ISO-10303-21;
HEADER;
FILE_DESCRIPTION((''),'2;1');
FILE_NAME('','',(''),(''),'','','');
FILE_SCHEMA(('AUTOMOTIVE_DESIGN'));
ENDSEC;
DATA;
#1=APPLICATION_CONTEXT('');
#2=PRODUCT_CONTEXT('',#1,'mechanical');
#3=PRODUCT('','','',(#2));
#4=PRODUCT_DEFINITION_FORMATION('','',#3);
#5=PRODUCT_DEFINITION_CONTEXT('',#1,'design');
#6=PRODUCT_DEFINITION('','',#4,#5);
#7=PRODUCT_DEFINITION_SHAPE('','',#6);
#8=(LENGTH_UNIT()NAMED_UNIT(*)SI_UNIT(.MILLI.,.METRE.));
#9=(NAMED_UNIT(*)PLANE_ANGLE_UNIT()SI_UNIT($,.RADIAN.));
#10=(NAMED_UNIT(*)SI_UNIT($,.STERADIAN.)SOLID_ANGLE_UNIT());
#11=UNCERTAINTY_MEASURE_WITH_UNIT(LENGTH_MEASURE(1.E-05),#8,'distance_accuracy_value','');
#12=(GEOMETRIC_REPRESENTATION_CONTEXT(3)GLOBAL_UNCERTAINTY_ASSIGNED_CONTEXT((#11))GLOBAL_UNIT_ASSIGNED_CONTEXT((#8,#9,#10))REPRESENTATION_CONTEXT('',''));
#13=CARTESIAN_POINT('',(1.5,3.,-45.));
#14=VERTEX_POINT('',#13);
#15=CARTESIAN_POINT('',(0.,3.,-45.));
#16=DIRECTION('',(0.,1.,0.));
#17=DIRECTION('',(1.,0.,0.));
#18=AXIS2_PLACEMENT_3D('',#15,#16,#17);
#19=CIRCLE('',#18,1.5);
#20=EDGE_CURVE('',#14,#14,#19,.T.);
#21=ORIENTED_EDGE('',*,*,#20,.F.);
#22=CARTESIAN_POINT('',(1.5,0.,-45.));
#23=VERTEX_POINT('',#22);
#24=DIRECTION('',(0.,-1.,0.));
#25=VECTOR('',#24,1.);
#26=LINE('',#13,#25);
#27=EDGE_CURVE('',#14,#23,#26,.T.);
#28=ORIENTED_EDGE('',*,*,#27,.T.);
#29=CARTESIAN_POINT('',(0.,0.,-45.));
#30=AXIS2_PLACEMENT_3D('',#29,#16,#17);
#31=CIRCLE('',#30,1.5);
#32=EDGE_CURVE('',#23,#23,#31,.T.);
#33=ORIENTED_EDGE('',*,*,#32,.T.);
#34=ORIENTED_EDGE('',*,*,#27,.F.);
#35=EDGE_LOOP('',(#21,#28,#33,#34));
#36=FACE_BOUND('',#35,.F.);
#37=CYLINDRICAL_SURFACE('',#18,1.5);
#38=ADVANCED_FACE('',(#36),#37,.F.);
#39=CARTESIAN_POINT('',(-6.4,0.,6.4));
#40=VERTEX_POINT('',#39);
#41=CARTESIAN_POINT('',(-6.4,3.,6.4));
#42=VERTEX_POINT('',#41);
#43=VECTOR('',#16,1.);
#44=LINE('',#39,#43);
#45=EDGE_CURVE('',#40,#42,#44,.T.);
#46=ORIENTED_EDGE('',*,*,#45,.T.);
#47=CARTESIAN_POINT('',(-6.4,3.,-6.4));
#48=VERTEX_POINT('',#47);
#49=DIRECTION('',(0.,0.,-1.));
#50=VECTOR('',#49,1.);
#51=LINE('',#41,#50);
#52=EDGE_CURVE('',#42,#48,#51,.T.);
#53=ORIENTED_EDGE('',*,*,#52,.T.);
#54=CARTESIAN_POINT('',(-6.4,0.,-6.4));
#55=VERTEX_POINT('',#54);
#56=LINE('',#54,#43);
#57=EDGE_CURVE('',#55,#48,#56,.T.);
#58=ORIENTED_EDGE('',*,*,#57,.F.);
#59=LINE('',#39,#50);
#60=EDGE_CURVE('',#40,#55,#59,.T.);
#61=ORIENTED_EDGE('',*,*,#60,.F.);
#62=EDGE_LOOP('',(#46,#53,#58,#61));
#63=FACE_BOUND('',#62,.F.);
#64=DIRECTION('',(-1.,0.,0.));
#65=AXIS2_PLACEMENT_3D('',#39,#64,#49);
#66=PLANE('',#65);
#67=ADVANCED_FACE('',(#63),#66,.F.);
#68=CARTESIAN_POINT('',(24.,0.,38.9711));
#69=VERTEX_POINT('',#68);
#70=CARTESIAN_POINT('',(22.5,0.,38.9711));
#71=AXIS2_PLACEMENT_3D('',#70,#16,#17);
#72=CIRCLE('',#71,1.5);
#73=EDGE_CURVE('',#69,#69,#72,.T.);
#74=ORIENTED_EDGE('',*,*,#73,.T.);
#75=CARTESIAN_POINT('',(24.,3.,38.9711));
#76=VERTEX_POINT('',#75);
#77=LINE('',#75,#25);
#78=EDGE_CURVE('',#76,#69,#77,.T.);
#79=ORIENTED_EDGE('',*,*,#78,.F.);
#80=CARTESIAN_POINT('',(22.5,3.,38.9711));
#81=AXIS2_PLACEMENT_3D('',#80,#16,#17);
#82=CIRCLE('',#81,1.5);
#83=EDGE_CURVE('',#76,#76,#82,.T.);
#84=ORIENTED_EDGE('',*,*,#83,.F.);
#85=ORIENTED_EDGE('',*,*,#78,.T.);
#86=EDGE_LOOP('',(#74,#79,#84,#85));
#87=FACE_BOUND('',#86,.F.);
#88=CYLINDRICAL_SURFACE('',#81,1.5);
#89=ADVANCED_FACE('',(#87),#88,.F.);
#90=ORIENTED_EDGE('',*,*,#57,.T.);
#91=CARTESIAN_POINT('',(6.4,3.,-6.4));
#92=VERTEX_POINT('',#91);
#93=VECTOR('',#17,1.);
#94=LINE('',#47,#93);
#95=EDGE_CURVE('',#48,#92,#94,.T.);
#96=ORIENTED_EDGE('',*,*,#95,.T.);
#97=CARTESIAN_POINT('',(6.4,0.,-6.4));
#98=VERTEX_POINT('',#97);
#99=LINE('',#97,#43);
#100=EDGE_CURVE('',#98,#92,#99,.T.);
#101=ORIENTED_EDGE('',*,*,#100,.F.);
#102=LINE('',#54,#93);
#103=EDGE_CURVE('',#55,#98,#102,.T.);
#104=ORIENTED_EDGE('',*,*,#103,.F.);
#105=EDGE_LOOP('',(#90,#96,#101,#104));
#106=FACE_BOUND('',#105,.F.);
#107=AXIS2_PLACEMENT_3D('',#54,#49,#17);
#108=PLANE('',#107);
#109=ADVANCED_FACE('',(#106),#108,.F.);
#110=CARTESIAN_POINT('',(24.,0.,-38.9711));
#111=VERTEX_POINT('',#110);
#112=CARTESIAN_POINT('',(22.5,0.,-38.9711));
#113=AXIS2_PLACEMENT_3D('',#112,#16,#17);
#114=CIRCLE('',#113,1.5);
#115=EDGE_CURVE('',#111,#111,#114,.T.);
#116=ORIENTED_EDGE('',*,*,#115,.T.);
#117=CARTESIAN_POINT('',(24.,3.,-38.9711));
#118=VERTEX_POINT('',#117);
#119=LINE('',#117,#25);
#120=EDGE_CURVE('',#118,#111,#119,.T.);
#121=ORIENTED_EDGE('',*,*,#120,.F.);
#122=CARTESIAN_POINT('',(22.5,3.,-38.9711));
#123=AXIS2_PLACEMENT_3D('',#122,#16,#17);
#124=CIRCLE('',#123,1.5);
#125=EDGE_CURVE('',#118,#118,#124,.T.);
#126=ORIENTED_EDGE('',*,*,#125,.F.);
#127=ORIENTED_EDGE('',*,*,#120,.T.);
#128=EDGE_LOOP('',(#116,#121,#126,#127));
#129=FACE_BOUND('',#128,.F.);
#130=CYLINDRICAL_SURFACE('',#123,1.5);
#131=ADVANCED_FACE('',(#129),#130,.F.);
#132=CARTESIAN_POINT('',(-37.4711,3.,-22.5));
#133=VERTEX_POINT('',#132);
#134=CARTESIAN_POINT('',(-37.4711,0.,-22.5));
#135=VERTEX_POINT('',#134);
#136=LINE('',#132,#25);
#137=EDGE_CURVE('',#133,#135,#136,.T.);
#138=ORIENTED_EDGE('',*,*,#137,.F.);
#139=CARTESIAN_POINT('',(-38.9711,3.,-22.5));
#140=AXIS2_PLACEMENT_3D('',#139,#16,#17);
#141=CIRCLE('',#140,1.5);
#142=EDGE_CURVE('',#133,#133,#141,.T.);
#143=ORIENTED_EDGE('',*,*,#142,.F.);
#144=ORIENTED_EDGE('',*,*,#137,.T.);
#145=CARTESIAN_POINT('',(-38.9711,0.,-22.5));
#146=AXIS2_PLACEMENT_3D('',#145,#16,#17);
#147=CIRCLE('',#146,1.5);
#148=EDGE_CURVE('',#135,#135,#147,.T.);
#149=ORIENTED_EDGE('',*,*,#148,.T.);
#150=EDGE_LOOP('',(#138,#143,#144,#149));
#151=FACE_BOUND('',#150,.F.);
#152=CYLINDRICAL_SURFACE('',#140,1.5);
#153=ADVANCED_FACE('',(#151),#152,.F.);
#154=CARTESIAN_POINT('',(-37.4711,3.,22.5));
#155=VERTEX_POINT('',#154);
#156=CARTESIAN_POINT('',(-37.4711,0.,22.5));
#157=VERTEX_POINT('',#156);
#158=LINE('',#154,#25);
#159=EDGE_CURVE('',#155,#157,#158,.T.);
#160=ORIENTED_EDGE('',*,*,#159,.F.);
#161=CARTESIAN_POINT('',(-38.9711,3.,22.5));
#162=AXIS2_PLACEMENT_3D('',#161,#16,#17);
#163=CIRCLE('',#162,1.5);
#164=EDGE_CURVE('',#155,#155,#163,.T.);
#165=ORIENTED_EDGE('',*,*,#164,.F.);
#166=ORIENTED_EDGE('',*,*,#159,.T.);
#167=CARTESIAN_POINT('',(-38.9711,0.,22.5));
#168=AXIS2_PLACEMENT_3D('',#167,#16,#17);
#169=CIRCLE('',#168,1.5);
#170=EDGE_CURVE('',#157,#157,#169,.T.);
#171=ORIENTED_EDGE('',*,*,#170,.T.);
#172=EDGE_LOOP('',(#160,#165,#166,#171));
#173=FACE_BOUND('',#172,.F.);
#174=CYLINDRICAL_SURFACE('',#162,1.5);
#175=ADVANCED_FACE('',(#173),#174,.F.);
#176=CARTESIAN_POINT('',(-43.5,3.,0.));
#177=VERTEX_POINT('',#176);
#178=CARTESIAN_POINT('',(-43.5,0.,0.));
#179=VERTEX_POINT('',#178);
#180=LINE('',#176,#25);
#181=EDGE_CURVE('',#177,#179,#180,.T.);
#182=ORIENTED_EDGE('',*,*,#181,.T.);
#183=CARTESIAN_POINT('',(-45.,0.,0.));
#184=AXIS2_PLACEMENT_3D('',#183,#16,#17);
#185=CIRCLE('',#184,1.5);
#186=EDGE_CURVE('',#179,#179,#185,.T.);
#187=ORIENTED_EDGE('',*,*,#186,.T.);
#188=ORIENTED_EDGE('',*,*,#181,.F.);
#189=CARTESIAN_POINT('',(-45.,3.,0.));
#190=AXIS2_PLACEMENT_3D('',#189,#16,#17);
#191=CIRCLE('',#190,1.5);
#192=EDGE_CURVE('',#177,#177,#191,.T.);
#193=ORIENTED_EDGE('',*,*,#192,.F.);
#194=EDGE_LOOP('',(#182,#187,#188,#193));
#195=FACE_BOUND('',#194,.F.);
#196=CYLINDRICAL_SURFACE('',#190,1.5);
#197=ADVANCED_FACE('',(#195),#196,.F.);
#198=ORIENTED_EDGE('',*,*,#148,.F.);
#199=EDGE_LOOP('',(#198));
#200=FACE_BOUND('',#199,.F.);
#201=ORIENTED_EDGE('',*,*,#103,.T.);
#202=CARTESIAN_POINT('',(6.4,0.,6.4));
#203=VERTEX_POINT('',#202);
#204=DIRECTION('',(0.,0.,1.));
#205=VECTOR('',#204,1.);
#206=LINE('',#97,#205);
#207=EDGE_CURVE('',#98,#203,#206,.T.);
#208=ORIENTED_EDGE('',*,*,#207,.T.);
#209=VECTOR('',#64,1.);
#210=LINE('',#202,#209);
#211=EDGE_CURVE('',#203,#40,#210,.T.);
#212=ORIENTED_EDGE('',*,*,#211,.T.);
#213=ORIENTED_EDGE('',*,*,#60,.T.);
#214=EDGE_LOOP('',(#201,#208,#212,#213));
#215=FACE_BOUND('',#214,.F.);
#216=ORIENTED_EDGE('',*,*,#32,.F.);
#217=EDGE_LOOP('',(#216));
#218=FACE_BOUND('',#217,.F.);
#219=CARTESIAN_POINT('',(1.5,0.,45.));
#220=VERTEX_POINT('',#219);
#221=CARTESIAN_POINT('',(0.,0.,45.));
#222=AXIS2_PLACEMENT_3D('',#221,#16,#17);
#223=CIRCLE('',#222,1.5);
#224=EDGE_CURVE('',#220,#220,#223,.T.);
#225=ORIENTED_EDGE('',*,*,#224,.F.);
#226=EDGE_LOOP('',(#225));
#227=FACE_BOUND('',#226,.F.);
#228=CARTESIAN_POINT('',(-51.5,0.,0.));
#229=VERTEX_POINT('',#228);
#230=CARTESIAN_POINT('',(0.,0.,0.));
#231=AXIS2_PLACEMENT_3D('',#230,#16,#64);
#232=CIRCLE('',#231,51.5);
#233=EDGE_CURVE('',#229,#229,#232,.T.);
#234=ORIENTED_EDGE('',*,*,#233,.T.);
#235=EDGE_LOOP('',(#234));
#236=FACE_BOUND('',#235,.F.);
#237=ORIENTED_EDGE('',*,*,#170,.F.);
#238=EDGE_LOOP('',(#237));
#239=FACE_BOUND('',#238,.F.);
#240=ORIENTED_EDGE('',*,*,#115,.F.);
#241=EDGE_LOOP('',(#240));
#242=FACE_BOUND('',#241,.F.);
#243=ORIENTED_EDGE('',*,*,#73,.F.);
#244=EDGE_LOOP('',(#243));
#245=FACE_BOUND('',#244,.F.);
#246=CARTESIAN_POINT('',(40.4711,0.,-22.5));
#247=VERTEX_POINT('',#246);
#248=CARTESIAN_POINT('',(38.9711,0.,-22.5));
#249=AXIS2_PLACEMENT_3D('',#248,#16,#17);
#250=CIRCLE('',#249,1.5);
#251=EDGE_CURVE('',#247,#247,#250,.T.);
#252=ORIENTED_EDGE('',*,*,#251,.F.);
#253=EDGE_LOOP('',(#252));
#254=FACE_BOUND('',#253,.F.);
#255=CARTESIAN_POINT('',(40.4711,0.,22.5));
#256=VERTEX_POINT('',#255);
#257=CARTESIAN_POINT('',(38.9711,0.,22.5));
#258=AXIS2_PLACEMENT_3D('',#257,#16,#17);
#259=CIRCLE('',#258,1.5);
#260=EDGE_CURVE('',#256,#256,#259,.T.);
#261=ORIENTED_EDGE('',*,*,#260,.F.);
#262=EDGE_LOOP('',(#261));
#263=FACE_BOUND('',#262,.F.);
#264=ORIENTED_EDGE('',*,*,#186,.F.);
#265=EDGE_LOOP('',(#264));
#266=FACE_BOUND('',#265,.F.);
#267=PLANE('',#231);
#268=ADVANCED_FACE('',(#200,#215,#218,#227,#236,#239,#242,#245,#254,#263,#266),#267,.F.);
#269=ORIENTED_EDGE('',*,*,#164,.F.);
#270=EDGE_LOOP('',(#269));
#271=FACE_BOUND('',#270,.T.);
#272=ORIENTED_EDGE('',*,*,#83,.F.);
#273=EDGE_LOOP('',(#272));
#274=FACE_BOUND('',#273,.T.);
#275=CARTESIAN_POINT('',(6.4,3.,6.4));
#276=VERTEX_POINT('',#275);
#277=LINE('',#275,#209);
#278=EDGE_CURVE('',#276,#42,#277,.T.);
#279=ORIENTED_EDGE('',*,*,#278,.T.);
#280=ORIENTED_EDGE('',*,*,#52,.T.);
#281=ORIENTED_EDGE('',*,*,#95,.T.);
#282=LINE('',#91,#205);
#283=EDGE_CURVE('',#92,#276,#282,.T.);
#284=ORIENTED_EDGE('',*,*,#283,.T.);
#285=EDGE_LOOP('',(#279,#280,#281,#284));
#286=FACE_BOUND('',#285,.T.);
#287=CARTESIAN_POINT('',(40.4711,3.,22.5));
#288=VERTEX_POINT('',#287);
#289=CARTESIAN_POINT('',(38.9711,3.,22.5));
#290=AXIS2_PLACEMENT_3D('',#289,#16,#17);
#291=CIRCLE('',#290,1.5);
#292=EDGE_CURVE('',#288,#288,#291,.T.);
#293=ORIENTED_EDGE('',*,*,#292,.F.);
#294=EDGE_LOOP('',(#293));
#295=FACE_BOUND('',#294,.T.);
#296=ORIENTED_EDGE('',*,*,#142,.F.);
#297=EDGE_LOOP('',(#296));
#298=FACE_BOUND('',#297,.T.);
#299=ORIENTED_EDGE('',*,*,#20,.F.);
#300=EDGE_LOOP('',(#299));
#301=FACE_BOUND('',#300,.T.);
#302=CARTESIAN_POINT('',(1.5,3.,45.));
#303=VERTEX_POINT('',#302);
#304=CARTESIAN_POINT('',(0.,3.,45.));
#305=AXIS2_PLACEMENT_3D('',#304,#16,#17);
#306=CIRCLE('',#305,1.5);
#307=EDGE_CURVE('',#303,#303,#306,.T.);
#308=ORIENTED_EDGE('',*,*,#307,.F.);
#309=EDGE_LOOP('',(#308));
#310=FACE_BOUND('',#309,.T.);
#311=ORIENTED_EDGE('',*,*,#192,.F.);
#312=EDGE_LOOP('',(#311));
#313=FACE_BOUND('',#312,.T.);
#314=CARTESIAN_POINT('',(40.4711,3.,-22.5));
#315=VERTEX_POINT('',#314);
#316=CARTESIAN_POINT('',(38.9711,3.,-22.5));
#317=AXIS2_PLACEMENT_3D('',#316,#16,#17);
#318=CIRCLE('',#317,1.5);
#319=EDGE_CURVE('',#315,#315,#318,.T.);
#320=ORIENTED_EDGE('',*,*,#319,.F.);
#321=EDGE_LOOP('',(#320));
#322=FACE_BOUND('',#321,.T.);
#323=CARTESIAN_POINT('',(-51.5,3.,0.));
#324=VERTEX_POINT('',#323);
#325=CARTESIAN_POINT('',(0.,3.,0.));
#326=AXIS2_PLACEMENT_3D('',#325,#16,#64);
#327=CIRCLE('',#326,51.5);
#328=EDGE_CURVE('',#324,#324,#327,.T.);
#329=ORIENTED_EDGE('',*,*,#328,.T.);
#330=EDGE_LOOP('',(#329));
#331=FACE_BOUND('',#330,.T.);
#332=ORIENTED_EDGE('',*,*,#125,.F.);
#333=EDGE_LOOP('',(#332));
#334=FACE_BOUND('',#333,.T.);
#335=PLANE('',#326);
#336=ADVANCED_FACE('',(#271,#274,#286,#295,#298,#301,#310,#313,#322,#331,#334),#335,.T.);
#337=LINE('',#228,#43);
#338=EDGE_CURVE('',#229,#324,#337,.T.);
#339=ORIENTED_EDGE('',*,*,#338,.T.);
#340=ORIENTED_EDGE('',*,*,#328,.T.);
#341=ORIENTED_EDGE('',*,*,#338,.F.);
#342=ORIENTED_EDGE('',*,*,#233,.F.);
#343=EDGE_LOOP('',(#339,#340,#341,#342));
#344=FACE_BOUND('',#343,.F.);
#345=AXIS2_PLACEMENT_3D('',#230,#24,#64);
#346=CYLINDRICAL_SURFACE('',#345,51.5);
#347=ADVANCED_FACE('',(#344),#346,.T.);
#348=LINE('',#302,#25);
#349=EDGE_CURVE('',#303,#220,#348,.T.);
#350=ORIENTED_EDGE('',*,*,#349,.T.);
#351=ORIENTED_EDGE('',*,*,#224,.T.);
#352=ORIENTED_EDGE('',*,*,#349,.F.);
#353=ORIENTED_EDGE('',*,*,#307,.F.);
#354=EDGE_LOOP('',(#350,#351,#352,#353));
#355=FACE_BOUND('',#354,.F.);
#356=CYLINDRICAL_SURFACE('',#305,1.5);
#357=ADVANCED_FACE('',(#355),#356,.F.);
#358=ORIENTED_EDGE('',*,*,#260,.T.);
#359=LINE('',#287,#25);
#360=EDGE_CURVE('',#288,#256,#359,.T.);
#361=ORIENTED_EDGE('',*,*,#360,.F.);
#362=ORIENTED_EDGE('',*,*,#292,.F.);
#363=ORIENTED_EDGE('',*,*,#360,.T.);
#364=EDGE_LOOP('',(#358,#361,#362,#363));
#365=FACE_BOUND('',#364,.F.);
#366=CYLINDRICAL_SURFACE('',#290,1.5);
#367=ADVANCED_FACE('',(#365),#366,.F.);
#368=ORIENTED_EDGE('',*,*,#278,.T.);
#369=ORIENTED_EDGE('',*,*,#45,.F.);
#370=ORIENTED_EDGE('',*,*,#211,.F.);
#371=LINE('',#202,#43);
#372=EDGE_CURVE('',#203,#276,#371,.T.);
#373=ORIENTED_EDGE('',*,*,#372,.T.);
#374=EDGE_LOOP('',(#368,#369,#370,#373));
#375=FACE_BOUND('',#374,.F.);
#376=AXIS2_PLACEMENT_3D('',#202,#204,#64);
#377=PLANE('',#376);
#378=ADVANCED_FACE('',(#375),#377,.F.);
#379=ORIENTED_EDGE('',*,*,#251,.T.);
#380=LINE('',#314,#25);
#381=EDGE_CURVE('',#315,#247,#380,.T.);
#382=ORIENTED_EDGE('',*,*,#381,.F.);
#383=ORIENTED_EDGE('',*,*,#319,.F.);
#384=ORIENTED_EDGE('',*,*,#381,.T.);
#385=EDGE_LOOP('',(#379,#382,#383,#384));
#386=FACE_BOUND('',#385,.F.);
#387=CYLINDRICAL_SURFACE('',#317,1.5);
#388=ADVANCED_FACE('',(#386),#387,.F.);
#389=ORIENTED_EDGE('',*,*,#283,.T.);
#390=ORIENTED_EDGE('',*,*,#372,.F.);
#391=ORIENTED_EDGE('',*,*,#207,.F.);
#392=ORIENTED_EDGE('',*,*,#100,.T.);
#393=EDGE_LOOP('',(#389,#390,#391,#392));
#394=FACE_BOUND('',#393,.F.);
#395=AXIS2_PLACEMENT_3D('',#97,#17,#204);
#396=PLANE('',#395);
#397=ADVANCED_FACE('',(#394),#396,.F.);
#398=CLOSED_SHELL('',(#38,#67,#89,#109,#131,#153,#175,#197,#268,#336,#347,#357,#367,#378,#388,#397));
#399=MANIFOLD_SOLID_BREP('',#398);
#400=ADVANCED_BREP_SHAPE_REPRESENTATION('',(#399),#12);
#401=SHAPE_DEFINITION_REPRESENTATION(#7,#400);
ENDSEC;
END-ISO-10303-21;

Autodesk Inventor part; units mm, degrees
ref_plane "YZ Plane" through (0, 0, 0) normal (1, 0, 0) x (0, 1, 0)
ref_plane "XZ Plane" through (0, 0, 0) normal (0, 1, 0) x (-1, 0, 0)
ref_plane "XY Plane" through (0, 0, 0) normal (0, 0, 1) x (1, 0, 0)
sketch "Sketch1" plane through (0, 0, 0) normal (0, 1, 0) x (-1, 0, 0)
  circle A0 centre (0, 0) radius 51.5
  line L0 (-6.4, 6.4) -> (6.4, 6.4)
  line L1 (6.4, 6.4) -> (6.4, -6.4)
  line L2 (6.4, -6.4) -> (-6.4, -6.4)
  line L3 (-6.4, -6.4) -> (-6.4, 6.4)
  line L4 (-6.4, 6.4) -> (6.4, -6.4) construction
  line L5 (6.4, 6.4) -> (-6.4, -6.4) construction
  dimension "d0" = 103
  dimension "d1" = 12.8
  dimension "d2" = 12.8
extrude "Extrusion1" add sketch "Sketch1" along normal blind 3
sketch "Sketch2" plane through (0, 3, 0) normal (0, 1, 0) x (1, 0, 0)
  line L0 (-6.4, -6.4) -> (-6.4, 6.4) construction
  line L1 (-6.4, 6.4) -> (6.4, 6.4) construction
  line L2 (6.4, 6.4) -> (6.4, -6.4) construction
  line L3 (6.4, -6.4) -> (-6.4, -6.4) construction
  circle A0 centre (0, 0) radius 51.5 construction
  line L4 (6.4, 0) -> (51.5, 0) construction
  circle A1 centre (0, 0) radius 51.5 construction
  line L5 (0, 0) -> (-25.75, 44.6003) construction
  line L6 (0, 0) -> (-25.75, -44.6003) construction
  circle A2 centre (0, 0) radius 45 construction
  line L7 (0, 0) -> (0, -51.5) construction
  line L8 (0, 0) -> (44.6003, -25.75) construction
  line L9 (0, 0) -> (25.75, -44.6003) construction
  line L10 (0, 0) -> (25.75, 44.6003) construction
  line L11 (44.6003, 25.75) -> (0, 0) construction
  line L12 (0, 0) -> (0, 51.5) construction
  line L13 (0, 0) -> (-44.6003, -25.75) construction
  line L14 (0, 0) -> (-51.5, 0) construction
  line L15 (0, 0) -> (-44.6003, 25.75) construction
  circle A3 centre (38.9711, -22.5) radius 1.5
  circle A4 centre (22.5, -38.9711) radius 1.5
  circle A5 centre (0, -45) radius 1.5
  circle A6 centre (-38.9711, -22.5) radius 1.5
  circle A7 centre (-45, 0) radius 1.5
  circle A8 centre (-38.9711, 22.5) radius 1.5
  circle A9 centre (22.5, 38.9711) radius 1.5
  circle A10 centre (38.9711, 22.5) radius 1.5
  circle A11 centre (0, 45) radius 1.5
  dimension "d7" = 90
  dimension "d5" = 120
  dimension "d6" = 120
  dimension "d8" = 30
  dimension "d9" = 30
  dimension "d10" = 30
  dimension "d11" = 30
  dimension "d12" = 30
  dimension "d13" = 30
  dimension "d14" = 30
  dimension "d15" = 30
  dimension "d16" = 3
  dimension "d17" = 3
  dimension "d18" = 3
  dimension "d19" = 3
  dimension "d20" = 3
  dimension "d21" = 3
  dimension "d22" = 3
  dimension "d23" = 3
  dimension "d24" = 3
extrude "Extrusion2" cut sketch "Sketch2" against normal blind 3
sketch "Sketch3" plane through (0, 0, 0) normal (0, -1, 0) x (1, 0, 0)
  circle A0 centre (38.9711, -22.5) radius 1.5 projected
  circle A1 centre (-38.9711, -22.5) radius 1.5 projected
  circle A2 centre (-38.9711, 22.5) radius 1.5 projected
  circle A3 centre (22.5, 38.9711) radius 1.5 projected
  circle A4 centre (38.9711, 22.5) radius 1.5 projected
  circle A5 centre (0, 45) radius 1.5 projected
  circle A6 centre (-45, 0) radius 1.5 projected
  circle A7 centre (22.5, -38.9711) radius 1.5 projected
  circle A8 centre (0, -45) radius 1.5 projected
  line L0 (-6.4, -6.4) -> (-6.4, 6.4) projected
  line L1 (-6.4, 6.4) -> (6.4, 6.4) projected
  line L2 (6.4, 6.4) -> (6.4, -6.4) projected
  line L3 (6.4, -6.4) -> (-6.4, -6.4) projected
  circle A9 centre (0, 0) radius 51.5 projected
equation "\"d2\" = d1"
equation "\"d9\" = d8"
equation "\"d10\" = d8"
equation "\"d11\" = d8"
equation "\"d12\" = d8"
equation "\"d13\" = d8"
equation "\"d14\" = d8"
equation "\"d15\" = d8"
equation "\"d17\" = d16"
equation "\"d18\" = d16"
equation "\"d19\" = d16"
equation "\"d20\" = d16"
equation "\"d21\" = d16"
equation "\"d22\" = d16"
equation "\"d23\" = d16"
equation "\"d24\" = d16"
properties part number "top top plate" material "Polycarbonate, Clear"
